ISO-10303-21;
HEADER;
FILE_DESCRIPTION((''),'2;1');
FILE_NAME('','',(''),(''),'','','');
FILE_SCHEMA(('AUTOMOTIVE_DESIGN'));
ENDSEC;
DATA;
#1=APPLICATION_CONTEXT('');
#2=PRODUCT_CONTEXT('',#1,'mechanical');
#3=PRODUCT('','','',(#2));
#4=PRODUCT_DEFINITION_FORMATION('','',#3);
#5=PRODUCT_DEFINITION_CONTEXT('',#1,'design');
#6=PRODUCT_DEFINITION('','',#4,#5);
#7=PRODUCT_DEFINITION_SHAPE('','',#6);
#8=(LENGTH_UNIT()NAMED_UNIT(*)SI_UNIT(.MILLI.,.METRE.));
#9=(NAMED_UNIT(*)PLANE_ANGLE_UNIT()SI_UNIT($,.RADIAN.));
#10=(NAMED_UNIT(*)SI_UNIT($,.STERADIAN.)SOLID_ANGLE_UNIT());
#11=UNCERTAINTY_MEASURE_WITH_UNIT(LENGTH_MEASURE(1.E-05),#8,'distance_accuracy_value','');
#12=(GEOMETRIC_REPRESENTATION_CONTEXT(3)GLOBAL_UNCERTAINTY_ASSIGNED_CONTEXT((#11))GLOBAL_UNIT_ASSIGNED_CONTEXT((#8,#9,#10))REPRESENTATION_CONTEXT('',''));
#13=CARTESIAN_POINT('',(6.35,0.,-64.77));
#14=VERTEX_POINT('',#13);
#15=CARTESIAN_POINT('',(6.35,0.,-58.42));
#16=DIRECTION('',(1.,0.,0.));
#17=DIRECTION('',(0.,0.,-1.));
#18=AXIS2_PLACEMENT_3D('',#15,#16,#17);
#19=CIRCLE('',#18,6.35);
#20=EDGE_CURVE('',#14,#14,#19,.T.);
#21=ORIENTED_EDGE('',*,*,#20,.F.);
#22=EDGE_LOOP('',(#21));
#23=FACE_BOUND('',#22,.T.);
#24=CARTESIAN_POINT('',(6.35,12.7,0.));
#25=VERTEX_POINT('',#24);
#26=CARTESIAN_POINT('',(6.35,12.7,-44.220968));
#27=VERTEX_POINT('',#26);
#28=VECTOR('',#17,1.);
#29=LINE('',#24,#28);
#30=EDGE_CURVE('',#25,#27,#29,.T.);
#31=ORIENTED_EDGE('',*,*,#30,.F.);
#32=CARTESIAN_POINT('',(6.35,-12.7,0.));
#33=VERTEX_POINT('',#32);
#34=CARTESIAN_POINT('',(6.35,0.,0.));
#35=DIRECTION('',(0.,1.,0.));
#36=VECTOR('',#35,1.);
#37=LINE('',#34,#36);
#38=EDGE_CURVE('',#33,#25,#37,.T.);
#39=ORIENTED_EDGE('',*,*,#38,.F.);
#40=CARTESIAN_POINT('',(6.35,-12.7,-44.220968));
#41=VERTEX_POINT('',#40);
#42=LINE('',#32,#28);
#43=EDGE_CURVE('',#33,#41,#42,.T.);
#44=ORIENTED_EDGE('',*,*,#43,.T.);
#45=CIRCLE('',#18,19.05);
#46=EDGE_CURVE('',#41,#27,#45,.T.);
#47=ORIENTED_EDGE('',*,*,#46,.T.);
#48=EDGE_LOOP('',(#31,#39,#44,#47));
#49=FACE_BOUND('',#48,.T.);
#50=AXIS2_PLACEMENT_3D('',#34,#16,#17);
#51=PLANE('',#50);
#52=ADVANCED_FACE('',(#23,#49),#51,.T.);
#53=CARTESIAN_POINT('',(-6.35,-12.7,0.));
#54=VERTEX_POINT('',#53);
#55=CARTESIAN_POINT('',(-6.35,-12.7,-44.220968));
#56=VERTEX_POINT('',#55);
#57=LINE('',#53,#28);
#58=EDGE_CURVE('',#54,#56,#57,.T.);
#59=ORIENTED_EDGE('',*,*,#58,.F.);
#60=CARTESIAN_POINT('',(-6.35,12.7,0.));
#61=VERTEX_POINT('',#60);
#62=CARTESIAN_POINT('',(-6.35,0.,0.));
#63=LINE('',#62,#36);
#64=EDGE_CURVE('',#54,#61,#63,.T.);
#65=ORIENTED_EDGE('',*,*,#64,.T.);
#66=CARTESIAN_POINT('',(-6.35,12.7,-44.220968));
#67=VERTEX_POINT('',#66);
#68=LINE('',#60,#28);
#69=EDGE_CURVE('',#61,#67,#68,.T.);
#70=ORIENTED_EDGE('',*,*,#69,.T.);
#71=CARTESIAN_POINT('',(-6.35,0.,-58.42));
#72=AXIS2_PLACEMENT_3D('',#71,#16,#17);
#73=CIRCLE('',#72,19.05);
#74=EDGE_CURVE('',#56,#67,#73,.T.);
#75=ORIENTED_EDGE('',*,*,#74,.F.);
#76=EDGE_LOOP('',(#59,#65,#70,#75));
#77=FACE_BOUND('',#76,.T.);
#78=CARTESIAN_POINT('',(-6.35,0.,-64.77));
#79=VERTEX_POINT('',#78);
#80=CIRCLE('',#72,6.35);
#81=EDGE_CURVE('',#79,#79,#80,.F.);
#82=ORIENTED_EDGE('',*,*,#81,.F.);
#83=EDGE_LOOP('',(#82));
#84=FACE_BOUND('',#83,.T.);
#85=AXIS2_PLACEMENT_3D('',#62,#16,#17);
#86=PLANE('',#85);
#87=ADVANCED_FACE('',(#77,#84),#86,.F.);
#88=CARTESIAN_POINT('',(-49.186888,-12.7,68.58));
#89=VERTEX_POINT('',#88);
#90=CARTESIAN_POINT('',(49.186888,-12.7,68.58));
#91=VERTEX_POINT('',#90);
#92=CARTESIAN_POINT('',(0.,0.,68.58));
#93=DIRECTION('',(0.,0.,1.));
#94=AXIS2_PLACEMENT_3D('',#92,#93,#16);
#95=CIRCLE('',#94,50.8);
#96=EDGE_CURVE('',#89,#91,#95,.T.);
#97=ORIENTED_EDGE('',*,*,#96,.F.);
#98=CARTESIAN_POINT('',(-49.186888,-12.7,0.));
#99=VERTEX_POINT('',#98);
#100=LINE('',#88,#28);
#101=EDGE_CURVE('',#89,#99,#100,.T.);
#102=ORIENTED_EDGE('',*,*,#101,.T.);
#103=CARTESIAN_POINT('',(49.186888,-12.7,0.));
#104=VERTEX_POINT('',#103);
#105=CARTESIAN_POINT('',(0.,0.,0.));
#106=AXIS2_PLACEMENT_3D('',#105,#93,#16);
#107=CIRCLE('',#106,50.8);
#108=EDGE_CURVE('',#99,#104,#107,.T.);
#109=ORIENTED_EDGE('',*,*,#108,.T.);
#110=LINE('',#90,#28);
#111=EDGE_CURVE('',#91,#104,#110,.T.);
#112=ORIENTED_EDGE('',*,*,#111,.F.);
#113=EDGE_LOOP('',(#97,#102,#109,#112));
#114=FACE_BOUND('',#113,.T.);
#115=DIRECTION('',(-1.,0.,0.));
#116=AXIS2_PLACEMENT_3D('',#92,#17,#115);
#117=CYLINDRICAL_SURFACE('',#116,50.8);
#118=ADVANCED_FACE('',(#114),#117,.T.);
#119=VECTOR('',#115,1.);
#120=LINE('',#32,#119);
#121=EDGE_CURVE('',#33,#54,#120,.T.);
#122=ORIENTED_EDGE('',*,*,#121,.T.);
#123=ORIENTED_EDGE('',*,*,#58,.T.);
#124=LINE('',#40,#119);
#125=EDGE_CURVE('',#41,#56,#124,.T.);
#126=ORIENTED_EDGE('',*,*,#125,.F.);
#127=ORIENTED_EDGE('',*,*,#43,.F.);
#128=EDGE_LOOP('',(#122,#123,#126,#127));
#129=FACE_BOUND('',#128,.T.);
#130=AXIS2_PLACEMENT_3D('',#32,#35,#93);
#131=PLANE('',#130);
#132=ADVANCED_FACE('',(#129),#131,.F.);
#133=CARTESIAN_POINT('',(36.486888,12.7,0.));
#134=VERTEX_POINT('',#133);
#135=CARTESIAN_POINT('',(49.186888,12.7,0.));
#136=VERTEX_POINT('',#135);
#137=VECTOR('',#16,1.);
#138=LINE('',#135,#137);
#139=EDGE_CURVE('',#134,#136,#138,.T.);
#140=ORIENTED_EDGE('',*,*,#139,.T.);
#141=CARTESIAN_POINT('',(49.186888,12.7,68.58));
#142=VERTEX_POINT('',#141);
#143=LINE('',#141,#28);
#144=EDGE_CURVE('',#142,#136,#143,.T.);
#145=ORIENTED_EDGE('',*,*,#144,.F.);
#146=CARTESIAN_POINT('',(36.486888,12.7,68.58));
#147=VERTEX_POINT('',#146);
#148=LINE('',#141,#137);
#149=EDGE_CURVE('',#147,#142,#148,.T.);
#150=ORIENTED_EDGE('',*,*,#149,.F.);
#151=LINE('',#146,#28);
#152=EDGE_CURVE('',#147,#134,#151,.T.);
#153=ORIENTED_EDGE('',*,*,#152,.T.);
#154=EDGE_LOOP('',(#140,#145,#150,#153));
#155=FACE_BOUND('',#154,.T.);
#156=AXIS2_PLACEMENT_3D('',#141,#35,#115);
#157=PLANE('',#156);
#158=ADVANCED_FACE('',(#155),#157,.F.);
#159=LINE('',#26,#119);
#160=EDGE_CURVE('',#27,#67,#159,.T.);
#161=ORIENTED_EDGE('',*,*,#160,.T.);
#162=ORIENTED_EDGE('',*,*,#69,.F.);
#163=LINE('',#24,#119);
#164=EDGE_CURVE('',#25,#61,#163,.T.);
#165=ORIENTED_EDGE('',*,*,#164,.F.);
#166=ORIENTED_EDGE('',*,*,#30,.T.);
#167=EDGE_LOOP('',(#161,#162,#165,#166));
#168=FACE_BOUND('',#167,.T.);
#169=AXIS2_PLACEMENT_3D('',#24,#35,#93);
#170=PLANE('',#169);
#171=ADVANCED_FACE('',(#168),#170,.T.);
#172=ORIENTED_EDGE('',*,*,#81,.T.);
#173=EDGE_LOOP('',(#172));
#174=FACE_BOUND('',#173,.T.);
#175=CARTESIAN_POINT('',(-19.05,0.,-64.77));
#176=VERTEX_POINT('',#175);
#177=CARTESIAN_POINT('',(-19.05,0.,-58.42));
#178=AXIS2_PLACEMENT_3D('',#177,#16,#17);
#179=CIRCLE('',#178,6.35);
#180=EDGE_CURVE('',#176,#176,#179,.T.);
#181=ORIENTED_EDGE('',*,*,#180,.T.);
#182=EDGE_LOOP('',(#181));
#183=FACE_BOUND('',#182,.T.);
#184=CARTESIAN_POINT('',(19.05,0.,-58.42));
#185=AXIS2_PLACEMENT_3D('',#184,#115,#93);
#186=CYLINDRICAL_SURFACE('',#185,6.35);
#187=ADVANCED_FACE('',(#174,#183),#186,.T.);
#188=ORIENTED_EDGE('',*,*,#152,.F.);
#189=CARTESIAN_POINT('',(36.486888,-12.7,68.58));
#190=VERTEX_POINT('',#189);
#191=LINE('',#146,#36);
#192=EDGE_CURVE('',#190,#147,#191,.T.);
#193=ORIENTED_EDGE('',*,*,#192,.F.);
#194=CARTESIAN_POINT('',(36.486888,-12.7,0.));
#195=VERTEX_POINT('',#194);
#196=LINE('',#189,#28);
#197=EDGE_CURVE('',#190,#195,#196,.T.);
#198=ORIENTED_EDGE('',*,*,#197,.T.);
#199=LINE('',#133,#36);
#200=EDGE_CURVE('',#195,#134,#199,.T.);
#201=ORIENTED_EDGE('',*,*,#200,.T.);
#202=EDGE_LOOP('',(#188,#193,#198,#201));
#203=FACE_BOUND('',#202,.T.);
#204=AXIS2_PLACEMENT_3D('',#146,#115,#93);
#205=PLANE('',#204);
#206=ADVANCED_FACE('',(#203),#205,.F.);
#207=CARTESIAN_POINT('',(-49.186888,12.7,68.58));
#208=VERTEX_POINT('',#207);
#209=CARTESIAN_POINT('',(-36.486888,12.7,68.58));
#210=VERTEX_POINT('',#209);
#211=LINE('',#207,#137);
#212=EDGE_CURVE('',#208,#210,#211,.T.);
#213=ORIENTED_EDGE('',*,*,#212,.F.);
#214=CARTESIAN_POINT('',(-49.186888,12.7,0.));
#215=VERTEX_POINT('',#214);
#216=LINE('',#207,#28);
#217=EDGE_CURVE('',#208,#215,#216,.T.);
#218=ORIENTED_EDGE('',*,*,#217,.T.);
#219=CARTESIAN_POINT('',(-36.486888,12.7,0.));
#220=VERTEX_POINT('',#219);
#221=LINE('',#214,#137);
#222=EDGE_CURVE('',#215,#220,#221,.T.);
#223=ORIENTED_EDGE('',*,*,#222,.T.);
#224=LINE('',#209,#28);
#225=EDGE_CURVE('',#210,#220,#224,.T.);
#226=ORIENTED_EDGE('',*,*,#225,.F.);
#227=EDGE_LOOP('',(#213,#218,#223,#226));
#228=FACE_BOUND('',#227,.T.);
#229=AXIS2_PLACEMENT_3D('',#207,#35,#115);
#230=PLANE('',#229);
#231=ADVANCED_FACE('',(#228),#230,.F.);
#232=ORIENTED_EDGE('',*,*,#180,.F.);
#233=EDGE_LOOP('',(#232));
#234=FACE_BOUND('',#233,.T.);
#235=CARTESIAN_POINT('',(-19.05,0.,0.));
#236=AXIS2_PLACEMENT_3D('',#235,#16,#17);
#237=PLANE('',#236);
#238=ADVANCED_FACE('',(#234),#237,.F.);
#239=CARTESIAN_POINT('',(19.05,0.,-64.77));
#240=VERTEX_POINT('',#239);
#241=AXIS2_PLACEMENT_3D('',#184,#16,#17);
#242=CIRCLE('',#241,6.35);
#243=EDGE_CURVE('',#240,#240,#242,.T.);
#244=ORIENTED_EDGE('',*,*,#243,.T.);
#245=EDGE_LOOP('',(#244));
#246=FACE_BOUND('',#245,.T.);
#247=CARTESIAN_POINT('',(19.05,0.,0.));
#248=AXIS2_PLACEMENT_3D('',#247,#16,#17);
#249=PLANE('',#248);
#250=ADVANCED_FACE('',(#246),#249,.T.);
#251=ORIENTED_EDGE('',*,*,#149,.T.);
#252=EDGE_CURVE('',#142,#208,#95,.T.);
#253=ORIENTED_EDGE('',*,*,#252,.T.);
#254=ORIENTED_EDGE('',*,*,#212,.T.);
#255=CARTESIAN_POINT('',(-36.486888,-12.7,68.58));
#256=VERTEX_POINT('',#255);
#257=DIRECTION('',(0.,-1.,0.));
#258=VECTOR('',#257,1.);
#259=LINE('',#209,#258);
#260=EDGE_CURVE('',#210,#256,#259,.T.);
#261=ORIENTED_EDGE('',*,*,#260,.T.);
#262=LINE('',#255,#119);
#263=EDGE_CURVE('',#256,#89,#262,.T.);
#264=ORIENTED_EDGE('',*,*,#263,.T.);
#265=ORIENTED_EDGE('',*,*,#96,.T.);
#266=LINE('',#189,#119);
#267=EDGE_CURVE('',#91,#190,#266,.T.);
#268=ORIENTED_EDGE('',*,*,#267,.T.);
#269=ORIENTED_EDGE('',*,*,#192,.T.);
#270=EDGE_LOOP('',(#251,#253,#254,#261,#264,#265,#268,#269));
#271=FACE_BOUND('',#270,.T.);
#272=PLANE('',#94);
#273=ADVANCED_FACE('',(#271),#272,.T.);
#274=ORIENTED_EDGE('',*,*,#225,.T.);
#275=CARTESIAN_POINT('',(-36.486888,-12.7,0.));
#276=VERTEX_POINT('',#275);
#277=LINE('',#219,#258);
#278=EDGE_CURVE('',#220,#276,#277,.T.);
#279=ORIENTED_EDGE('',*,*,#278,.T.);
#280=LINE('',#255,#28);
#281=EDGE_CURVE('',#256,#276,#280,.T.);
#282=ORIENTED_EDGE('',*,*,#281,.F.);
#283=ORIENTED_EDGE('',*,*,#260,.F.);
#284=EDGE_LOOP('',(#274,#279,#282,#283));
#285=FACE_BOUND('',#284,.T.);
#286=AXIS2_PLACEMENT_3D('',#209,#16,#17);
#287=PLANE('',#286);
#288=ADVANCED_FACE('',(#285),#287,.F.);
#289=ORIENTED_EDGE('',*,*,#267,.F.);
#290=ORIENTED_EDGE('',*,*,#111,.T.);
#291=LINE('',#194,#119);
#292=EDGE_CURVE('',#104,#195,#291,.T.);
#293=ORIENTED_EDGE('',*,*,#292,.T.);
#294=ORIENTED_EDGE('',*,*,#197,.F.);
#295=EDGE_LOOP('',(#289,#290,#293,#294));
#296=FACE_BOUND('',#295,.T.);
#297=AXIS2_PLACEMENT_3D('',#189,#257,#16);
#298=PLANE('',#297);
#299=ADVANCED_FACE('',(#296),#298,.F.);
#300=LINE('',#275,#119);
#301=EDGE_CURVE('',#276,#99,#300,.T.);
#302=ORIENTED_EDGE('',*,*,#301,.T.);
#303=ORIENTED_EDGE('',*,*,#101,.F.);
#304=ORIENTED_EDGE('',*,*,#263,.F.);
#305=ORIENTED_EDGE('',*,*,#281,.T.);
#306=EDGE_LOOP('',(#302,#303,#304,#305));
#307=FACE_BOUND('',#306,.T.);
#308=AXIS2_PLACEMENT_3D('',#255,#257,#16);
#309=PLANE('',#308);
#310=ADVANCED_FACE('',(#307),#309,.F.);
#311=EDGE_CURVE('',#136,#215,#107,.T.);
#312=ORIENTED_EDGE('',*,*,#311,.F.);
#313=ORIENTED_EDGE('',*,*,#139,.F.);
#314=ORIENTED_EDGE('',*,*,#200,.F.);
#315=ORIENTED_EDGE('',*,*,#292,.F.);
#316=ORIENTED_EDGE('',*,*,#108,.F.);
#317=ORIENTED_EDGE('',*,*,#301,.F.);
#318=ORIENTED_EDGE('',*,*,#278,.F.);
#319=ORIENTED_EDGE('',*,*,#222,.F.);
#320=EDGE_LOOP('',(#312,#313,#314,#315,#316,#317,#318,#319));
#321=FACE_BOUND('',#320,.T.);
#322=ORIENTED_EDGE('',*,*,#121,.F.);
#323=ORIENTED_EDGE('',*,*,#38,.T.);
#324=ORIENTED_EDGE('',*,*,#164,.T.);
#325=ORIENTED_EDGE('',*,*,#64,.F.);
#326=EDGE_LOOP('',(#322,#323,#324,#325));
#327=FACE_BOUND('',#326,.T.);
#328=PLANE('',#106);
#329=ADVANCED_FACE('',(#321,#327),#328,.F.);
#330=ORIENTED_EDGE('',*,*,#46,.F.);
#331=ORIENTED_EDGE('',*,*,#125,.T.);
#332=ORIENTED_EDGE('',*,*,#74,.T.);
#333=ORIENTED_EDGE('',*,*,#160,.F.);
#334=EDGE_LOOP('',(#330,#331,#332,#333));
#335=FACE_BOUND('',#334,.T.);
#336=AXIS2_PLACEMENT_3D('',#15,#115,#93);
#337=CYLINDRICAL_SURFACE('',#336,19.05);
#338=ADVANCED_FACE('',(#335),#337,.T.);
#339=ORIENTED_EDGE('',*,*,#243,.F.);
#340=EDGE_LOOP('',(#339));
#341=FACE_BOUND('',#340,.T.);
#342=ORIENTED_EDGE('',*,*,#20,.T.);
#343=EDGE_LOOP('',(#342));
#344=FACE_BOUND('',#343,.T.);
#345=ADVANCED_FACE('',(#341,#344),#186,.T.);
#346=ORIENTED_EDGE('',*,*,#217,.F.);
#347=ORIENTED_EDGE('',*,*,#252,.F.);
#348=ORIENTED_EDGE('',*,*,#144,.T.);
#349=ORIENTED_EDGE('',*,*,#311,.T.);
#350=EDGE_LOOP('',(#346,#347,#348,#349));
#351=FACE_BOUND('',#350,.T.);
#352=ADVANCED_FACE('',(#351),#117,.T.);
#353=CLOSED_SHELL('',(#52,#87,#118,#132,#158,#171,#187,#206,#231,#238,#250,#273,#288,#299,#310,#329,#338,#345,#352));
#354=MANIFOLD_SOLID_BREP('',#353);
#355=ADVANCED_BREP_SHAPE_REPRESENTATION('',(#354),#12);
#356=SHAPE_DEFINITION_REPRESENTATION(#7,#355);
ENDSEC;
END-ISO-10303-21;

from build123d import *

# Parameters (mm, degrees)
BOSS_EXTRUDE1_DEPTH = 68.58
SKETCH3_R           = 6.35
BOSS_EXTRUDE2_DEPTH = 6.35
SKETCH3_3_R         = 6.35
BOSS_EXTRUDE3_DEPTH = 19.05


with BuildPart() as part:
    # Sketch1 → Boss-Extrude1 (new body)
    with BuildSketch(Plane.XY):
        with BuildLine():
            Line((-49.186888497, 12.7), (-36.486888497, 12.7))
            Line((-36.486888497, 12.7), (-36.486888497, -12.7))
            Line((-36.486888497, -12.7), (-49.186888497, -12.7))
            ThreePointArc((-49.186888497, -12.7), (0, -50.8), (49.186888497, -12.7))
            Line((49.186888497, -12.7), (36.486888497, -12.7))
            Line((36.486888497, -12.7), (36.486888497, 12.7))
            Line((36.486888497, 12.7), (49.186888497, 12.7))
            ThreePointArc((49.186888497, 12.7), (0, 50.8), (-49.186888497, 12.7))
        make_face()
    extrude(amount=BOSS_EXTRUDE1_DEPTH)

    # Sketch3 → Boss-Extrude2 (add, symmetric)
    with BuildSketch(Plane(origin=(0, 0, 0), x_dir=(0, 0, -1), z_dir=(1, 0, 0))):
        with BuildLine():
            Line((44.220968343, 12.7), (0, 12.7))
            Line((0, 12.7), (0, -12.7))
            Line((0, -12.7), (44.220968343, -12.7))
            ThreePointArc((44.220968343, -12.7), (77.47, 0), (44.220968343, 12.7))
        make_face()
        with Locations((58.42, 0)):
            Circle(SKETCH3_R, mode=Mode.SUBTRACT)
    extrude(amount=BOSS_EXTRUDE2_DEPTH, both=True)

    # Sketch3<3> → Boss-Extrude3 (add, symmetric)
    with BuildSketch(Plane(origin=(0, 0, 0), x_dir=(0, 0, -1), z_dir=(1, 0, 0))):
        with Locations((58.42, 0)):
            Circle(SKETCH3_3_R)
    extrude(amount=BOSS_EXTRUDE3_DEPTH, both=True)


solid = part.part
